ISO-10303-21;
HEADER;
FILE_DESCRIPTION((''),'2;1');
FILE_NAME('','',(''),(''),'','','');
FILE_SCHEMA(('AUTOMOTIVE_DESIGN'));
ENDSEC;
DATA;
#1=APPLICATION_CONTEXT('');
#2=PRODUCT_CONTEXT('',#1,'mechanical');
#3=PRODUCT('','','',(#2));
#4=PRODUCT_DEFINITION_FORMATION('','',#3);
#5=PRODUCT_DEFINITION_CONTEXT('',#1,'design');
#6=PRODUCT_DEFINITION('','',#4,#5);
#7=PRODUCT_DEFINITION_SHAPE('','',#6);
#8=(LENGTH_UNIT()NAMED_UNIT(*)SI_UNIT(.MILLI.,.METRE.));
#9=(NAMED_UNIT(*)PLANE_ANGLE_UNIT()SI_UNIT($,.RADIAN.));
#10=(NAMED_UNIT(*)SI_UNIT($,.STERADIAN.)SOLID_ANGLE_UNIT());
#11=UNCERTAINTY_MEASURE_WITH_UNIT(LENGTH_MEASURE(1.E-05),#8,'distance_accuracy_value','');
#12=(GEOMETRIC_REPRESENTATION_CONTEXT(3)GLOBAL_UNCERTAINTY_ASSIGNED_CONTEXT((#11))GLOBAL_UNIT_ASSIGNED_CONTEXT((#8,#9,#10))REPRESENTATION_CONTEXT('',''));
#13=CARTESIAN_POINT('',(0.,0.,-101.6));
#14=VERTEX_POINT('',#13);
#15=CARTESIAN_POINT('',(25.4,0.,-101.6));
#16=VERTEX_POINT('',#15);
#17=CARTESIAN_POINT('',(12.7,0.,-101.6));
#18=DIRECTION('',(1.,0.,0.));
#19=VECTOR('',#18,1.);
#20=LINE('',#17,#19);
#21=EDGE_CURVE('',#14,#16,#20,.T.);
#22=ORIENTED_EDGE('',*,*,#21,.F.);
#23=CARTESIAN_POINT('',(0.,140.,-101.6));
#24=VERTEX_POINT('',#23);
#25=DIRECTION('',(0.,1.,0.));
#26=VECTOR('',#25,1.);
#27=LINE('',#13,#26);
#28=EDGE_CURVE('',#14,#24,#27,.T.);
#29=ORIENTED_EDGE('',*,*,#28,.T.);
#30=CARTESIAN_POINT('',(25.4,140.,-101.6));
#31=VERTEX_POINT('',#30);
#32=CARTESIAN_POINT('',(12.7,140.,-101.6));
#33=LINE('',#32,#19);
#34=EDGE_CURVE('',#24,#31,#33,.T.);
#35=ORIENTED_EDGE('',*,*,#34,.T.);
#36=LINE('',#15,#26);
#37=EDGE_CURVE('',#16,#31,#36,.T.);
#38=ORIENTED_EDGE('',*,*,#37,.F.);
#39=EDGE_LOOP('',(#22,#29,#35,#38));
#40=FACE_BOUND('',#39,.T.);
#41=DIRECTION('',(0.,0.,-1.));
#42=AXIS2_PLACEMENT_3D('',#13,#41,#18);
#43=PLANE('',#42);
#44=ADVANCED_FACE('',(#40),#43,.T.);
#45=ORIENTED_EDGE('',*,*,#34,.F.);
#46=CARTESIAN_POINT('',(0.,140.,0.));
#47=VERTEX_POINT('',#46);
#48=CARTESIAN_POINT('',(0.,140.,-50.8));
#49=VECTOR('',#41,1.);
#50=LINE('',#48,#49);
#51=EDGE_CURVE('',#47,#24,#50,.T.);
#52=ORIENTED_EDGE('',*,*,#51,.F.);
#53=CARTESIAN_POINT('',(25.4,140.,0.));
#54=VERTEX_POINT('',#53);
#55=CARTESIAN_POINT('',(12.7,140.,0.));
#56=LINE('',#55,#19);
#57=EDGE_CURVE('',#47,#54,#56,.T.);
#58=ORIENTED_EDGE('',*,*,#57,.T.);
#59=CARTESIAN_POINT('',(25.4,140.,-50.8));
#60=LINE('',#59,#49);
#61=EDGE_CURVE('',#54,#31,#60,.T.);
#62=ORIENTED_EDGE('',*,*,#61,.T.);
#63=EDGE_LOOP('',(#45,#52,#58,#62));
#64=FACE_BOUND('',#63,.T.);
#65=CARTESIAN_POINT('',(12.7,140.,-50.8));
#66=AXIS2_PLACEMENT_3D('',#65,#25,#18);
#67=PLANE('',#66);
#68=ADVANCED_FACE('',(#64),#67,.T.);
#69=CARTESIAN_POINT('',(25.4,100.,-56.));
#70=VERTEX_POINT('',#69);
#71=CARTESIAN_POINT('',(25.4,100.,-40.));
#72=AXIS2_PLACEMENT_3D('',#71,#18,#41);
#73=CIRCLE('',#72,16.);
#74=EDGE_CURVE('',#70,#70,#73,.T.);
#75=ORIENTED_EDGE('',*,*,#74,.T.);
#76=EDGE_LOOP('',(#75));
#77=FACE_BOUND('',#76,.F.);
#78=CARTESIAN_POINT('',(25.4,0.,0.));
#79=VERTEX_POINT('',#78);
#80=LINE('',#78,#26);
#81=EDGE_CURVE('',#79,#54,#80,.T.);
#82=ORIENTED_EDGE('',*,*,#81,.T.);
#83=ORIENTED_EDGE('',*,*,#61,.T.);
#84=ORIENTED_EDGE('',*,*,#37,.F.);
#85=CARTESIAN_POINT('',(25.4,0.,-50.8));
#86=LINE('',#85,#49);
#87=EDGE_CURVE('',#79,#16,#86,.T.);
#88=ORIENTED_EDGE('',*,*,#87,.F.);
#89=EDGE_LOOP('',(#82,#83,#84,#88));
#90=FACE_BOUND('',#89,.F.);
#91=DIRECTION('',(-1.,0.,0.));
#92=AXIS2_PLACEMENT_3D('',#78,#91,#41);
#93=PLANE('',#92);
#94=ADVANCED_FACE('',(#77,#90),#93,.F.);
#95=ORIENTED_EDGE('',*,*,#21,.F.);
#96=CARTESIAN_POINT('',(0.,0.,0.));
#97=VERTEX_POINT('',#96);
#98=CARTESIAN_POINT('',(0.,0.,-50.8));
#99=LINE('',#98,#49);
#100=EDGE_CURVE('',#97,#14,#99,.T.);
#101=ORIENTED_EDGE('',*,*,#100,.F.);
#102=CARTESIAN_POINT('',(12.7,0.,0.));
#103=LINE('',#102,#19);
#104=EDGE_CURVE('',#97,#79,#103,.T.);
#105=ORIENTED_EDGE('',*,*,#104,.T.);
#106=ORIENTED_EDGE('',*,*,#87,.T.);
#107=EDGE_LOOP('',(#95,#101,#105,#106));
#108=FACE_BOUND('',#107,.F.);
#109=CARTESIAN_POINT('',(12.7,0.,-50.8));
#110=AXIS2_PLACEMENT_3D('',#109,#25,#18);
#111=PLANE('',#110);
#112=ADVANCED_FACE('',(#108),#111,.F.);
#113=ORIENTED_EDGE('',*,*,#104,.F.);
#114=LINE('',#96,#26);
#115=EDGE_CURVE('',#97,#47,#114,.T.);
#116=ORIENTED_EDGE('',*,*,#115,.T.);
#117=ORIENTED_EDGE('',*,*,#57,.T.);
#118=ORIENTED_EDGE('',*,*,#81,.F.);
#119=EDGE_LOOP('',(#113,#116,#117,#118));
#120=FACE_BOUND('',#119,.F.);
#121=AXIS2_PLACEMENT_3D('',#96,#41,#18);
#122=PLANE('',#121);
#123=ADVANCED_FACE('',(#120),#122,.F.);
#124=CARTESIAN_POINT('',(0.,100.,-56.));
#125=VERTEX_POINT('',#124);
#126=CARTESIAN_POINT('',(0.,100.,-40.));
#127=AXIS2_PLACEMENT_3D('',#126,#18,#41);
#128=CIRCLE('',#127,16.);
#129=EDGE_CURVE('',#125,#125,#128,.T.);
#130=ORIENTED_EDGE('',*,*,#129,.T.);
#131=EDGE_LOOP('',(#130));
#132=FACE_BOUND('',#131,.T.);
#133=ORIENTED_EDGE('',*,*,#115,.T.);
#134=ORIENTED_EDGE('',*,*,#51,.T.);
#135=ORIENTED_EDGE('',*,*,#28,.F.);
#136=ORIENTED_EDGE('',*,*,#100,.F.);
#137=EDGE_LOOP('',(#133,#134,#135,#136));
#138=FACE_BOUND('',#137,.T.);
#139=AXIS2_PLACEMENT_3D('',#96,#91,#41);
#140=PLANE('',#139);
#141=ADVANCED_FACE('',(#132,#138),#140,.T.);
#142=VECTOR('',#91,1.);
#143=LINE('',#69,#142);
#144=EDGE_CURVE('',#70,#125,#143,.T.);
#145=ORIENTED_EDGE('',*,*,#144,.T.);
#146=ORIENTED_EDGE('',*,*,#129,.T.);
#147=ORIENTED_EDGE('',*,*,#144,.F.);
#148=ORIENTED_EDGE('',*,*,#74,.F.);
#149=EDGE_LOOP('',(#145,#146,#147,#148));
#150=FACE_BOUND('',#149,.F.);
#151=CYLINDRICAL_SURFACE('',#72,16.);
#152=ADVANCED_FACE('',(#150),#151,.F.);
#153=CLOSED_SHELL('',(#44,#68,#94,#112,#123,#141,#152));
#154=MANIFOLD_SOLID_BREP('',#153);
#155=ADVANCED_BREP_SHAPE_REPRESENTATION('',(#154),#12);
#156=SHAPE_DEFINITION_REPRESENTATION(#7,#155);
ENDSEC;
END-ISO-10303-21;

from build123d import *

# Parameters (mm, degrees)
SKETCH2_W           = 25.4
SKETCH2_H           = 101.6
BOSS_EXTRUDE1_DEPTH = 140
SKETCH4_R           = 16
CUT_EXTRUDE2_DEPTH  = 500


with BuildPart() as part:
    # Sketch2 → Boss-Extrude1 (new body)
    with BuildSketch(Plane(origin=(0, 0, 0), x_dir=(1, 0, 0), z_dir=(0, 1, 0))):
        with Locations((12.7, 50.8)):
            Rectangle(SKETCH2_W, SKETCH2_H)
    extrude(amount=BOSS_EXTRUDE1_DEPTH)

    # Sketch4 → Cut-Extrude2 (cut)
    with BuildSketch(Plane(origin=(25.4, 0, 0), x_dir=(0, 0, -1), z_dir=(1, 0, 0))):
        with Locations((40, 100)):
            Circle(SKETCH4_R)
    extrude(amount=-CUT_EXTRUDE2_DEPTH, mode=Mode.SUBTRACT)


solid = part.part
